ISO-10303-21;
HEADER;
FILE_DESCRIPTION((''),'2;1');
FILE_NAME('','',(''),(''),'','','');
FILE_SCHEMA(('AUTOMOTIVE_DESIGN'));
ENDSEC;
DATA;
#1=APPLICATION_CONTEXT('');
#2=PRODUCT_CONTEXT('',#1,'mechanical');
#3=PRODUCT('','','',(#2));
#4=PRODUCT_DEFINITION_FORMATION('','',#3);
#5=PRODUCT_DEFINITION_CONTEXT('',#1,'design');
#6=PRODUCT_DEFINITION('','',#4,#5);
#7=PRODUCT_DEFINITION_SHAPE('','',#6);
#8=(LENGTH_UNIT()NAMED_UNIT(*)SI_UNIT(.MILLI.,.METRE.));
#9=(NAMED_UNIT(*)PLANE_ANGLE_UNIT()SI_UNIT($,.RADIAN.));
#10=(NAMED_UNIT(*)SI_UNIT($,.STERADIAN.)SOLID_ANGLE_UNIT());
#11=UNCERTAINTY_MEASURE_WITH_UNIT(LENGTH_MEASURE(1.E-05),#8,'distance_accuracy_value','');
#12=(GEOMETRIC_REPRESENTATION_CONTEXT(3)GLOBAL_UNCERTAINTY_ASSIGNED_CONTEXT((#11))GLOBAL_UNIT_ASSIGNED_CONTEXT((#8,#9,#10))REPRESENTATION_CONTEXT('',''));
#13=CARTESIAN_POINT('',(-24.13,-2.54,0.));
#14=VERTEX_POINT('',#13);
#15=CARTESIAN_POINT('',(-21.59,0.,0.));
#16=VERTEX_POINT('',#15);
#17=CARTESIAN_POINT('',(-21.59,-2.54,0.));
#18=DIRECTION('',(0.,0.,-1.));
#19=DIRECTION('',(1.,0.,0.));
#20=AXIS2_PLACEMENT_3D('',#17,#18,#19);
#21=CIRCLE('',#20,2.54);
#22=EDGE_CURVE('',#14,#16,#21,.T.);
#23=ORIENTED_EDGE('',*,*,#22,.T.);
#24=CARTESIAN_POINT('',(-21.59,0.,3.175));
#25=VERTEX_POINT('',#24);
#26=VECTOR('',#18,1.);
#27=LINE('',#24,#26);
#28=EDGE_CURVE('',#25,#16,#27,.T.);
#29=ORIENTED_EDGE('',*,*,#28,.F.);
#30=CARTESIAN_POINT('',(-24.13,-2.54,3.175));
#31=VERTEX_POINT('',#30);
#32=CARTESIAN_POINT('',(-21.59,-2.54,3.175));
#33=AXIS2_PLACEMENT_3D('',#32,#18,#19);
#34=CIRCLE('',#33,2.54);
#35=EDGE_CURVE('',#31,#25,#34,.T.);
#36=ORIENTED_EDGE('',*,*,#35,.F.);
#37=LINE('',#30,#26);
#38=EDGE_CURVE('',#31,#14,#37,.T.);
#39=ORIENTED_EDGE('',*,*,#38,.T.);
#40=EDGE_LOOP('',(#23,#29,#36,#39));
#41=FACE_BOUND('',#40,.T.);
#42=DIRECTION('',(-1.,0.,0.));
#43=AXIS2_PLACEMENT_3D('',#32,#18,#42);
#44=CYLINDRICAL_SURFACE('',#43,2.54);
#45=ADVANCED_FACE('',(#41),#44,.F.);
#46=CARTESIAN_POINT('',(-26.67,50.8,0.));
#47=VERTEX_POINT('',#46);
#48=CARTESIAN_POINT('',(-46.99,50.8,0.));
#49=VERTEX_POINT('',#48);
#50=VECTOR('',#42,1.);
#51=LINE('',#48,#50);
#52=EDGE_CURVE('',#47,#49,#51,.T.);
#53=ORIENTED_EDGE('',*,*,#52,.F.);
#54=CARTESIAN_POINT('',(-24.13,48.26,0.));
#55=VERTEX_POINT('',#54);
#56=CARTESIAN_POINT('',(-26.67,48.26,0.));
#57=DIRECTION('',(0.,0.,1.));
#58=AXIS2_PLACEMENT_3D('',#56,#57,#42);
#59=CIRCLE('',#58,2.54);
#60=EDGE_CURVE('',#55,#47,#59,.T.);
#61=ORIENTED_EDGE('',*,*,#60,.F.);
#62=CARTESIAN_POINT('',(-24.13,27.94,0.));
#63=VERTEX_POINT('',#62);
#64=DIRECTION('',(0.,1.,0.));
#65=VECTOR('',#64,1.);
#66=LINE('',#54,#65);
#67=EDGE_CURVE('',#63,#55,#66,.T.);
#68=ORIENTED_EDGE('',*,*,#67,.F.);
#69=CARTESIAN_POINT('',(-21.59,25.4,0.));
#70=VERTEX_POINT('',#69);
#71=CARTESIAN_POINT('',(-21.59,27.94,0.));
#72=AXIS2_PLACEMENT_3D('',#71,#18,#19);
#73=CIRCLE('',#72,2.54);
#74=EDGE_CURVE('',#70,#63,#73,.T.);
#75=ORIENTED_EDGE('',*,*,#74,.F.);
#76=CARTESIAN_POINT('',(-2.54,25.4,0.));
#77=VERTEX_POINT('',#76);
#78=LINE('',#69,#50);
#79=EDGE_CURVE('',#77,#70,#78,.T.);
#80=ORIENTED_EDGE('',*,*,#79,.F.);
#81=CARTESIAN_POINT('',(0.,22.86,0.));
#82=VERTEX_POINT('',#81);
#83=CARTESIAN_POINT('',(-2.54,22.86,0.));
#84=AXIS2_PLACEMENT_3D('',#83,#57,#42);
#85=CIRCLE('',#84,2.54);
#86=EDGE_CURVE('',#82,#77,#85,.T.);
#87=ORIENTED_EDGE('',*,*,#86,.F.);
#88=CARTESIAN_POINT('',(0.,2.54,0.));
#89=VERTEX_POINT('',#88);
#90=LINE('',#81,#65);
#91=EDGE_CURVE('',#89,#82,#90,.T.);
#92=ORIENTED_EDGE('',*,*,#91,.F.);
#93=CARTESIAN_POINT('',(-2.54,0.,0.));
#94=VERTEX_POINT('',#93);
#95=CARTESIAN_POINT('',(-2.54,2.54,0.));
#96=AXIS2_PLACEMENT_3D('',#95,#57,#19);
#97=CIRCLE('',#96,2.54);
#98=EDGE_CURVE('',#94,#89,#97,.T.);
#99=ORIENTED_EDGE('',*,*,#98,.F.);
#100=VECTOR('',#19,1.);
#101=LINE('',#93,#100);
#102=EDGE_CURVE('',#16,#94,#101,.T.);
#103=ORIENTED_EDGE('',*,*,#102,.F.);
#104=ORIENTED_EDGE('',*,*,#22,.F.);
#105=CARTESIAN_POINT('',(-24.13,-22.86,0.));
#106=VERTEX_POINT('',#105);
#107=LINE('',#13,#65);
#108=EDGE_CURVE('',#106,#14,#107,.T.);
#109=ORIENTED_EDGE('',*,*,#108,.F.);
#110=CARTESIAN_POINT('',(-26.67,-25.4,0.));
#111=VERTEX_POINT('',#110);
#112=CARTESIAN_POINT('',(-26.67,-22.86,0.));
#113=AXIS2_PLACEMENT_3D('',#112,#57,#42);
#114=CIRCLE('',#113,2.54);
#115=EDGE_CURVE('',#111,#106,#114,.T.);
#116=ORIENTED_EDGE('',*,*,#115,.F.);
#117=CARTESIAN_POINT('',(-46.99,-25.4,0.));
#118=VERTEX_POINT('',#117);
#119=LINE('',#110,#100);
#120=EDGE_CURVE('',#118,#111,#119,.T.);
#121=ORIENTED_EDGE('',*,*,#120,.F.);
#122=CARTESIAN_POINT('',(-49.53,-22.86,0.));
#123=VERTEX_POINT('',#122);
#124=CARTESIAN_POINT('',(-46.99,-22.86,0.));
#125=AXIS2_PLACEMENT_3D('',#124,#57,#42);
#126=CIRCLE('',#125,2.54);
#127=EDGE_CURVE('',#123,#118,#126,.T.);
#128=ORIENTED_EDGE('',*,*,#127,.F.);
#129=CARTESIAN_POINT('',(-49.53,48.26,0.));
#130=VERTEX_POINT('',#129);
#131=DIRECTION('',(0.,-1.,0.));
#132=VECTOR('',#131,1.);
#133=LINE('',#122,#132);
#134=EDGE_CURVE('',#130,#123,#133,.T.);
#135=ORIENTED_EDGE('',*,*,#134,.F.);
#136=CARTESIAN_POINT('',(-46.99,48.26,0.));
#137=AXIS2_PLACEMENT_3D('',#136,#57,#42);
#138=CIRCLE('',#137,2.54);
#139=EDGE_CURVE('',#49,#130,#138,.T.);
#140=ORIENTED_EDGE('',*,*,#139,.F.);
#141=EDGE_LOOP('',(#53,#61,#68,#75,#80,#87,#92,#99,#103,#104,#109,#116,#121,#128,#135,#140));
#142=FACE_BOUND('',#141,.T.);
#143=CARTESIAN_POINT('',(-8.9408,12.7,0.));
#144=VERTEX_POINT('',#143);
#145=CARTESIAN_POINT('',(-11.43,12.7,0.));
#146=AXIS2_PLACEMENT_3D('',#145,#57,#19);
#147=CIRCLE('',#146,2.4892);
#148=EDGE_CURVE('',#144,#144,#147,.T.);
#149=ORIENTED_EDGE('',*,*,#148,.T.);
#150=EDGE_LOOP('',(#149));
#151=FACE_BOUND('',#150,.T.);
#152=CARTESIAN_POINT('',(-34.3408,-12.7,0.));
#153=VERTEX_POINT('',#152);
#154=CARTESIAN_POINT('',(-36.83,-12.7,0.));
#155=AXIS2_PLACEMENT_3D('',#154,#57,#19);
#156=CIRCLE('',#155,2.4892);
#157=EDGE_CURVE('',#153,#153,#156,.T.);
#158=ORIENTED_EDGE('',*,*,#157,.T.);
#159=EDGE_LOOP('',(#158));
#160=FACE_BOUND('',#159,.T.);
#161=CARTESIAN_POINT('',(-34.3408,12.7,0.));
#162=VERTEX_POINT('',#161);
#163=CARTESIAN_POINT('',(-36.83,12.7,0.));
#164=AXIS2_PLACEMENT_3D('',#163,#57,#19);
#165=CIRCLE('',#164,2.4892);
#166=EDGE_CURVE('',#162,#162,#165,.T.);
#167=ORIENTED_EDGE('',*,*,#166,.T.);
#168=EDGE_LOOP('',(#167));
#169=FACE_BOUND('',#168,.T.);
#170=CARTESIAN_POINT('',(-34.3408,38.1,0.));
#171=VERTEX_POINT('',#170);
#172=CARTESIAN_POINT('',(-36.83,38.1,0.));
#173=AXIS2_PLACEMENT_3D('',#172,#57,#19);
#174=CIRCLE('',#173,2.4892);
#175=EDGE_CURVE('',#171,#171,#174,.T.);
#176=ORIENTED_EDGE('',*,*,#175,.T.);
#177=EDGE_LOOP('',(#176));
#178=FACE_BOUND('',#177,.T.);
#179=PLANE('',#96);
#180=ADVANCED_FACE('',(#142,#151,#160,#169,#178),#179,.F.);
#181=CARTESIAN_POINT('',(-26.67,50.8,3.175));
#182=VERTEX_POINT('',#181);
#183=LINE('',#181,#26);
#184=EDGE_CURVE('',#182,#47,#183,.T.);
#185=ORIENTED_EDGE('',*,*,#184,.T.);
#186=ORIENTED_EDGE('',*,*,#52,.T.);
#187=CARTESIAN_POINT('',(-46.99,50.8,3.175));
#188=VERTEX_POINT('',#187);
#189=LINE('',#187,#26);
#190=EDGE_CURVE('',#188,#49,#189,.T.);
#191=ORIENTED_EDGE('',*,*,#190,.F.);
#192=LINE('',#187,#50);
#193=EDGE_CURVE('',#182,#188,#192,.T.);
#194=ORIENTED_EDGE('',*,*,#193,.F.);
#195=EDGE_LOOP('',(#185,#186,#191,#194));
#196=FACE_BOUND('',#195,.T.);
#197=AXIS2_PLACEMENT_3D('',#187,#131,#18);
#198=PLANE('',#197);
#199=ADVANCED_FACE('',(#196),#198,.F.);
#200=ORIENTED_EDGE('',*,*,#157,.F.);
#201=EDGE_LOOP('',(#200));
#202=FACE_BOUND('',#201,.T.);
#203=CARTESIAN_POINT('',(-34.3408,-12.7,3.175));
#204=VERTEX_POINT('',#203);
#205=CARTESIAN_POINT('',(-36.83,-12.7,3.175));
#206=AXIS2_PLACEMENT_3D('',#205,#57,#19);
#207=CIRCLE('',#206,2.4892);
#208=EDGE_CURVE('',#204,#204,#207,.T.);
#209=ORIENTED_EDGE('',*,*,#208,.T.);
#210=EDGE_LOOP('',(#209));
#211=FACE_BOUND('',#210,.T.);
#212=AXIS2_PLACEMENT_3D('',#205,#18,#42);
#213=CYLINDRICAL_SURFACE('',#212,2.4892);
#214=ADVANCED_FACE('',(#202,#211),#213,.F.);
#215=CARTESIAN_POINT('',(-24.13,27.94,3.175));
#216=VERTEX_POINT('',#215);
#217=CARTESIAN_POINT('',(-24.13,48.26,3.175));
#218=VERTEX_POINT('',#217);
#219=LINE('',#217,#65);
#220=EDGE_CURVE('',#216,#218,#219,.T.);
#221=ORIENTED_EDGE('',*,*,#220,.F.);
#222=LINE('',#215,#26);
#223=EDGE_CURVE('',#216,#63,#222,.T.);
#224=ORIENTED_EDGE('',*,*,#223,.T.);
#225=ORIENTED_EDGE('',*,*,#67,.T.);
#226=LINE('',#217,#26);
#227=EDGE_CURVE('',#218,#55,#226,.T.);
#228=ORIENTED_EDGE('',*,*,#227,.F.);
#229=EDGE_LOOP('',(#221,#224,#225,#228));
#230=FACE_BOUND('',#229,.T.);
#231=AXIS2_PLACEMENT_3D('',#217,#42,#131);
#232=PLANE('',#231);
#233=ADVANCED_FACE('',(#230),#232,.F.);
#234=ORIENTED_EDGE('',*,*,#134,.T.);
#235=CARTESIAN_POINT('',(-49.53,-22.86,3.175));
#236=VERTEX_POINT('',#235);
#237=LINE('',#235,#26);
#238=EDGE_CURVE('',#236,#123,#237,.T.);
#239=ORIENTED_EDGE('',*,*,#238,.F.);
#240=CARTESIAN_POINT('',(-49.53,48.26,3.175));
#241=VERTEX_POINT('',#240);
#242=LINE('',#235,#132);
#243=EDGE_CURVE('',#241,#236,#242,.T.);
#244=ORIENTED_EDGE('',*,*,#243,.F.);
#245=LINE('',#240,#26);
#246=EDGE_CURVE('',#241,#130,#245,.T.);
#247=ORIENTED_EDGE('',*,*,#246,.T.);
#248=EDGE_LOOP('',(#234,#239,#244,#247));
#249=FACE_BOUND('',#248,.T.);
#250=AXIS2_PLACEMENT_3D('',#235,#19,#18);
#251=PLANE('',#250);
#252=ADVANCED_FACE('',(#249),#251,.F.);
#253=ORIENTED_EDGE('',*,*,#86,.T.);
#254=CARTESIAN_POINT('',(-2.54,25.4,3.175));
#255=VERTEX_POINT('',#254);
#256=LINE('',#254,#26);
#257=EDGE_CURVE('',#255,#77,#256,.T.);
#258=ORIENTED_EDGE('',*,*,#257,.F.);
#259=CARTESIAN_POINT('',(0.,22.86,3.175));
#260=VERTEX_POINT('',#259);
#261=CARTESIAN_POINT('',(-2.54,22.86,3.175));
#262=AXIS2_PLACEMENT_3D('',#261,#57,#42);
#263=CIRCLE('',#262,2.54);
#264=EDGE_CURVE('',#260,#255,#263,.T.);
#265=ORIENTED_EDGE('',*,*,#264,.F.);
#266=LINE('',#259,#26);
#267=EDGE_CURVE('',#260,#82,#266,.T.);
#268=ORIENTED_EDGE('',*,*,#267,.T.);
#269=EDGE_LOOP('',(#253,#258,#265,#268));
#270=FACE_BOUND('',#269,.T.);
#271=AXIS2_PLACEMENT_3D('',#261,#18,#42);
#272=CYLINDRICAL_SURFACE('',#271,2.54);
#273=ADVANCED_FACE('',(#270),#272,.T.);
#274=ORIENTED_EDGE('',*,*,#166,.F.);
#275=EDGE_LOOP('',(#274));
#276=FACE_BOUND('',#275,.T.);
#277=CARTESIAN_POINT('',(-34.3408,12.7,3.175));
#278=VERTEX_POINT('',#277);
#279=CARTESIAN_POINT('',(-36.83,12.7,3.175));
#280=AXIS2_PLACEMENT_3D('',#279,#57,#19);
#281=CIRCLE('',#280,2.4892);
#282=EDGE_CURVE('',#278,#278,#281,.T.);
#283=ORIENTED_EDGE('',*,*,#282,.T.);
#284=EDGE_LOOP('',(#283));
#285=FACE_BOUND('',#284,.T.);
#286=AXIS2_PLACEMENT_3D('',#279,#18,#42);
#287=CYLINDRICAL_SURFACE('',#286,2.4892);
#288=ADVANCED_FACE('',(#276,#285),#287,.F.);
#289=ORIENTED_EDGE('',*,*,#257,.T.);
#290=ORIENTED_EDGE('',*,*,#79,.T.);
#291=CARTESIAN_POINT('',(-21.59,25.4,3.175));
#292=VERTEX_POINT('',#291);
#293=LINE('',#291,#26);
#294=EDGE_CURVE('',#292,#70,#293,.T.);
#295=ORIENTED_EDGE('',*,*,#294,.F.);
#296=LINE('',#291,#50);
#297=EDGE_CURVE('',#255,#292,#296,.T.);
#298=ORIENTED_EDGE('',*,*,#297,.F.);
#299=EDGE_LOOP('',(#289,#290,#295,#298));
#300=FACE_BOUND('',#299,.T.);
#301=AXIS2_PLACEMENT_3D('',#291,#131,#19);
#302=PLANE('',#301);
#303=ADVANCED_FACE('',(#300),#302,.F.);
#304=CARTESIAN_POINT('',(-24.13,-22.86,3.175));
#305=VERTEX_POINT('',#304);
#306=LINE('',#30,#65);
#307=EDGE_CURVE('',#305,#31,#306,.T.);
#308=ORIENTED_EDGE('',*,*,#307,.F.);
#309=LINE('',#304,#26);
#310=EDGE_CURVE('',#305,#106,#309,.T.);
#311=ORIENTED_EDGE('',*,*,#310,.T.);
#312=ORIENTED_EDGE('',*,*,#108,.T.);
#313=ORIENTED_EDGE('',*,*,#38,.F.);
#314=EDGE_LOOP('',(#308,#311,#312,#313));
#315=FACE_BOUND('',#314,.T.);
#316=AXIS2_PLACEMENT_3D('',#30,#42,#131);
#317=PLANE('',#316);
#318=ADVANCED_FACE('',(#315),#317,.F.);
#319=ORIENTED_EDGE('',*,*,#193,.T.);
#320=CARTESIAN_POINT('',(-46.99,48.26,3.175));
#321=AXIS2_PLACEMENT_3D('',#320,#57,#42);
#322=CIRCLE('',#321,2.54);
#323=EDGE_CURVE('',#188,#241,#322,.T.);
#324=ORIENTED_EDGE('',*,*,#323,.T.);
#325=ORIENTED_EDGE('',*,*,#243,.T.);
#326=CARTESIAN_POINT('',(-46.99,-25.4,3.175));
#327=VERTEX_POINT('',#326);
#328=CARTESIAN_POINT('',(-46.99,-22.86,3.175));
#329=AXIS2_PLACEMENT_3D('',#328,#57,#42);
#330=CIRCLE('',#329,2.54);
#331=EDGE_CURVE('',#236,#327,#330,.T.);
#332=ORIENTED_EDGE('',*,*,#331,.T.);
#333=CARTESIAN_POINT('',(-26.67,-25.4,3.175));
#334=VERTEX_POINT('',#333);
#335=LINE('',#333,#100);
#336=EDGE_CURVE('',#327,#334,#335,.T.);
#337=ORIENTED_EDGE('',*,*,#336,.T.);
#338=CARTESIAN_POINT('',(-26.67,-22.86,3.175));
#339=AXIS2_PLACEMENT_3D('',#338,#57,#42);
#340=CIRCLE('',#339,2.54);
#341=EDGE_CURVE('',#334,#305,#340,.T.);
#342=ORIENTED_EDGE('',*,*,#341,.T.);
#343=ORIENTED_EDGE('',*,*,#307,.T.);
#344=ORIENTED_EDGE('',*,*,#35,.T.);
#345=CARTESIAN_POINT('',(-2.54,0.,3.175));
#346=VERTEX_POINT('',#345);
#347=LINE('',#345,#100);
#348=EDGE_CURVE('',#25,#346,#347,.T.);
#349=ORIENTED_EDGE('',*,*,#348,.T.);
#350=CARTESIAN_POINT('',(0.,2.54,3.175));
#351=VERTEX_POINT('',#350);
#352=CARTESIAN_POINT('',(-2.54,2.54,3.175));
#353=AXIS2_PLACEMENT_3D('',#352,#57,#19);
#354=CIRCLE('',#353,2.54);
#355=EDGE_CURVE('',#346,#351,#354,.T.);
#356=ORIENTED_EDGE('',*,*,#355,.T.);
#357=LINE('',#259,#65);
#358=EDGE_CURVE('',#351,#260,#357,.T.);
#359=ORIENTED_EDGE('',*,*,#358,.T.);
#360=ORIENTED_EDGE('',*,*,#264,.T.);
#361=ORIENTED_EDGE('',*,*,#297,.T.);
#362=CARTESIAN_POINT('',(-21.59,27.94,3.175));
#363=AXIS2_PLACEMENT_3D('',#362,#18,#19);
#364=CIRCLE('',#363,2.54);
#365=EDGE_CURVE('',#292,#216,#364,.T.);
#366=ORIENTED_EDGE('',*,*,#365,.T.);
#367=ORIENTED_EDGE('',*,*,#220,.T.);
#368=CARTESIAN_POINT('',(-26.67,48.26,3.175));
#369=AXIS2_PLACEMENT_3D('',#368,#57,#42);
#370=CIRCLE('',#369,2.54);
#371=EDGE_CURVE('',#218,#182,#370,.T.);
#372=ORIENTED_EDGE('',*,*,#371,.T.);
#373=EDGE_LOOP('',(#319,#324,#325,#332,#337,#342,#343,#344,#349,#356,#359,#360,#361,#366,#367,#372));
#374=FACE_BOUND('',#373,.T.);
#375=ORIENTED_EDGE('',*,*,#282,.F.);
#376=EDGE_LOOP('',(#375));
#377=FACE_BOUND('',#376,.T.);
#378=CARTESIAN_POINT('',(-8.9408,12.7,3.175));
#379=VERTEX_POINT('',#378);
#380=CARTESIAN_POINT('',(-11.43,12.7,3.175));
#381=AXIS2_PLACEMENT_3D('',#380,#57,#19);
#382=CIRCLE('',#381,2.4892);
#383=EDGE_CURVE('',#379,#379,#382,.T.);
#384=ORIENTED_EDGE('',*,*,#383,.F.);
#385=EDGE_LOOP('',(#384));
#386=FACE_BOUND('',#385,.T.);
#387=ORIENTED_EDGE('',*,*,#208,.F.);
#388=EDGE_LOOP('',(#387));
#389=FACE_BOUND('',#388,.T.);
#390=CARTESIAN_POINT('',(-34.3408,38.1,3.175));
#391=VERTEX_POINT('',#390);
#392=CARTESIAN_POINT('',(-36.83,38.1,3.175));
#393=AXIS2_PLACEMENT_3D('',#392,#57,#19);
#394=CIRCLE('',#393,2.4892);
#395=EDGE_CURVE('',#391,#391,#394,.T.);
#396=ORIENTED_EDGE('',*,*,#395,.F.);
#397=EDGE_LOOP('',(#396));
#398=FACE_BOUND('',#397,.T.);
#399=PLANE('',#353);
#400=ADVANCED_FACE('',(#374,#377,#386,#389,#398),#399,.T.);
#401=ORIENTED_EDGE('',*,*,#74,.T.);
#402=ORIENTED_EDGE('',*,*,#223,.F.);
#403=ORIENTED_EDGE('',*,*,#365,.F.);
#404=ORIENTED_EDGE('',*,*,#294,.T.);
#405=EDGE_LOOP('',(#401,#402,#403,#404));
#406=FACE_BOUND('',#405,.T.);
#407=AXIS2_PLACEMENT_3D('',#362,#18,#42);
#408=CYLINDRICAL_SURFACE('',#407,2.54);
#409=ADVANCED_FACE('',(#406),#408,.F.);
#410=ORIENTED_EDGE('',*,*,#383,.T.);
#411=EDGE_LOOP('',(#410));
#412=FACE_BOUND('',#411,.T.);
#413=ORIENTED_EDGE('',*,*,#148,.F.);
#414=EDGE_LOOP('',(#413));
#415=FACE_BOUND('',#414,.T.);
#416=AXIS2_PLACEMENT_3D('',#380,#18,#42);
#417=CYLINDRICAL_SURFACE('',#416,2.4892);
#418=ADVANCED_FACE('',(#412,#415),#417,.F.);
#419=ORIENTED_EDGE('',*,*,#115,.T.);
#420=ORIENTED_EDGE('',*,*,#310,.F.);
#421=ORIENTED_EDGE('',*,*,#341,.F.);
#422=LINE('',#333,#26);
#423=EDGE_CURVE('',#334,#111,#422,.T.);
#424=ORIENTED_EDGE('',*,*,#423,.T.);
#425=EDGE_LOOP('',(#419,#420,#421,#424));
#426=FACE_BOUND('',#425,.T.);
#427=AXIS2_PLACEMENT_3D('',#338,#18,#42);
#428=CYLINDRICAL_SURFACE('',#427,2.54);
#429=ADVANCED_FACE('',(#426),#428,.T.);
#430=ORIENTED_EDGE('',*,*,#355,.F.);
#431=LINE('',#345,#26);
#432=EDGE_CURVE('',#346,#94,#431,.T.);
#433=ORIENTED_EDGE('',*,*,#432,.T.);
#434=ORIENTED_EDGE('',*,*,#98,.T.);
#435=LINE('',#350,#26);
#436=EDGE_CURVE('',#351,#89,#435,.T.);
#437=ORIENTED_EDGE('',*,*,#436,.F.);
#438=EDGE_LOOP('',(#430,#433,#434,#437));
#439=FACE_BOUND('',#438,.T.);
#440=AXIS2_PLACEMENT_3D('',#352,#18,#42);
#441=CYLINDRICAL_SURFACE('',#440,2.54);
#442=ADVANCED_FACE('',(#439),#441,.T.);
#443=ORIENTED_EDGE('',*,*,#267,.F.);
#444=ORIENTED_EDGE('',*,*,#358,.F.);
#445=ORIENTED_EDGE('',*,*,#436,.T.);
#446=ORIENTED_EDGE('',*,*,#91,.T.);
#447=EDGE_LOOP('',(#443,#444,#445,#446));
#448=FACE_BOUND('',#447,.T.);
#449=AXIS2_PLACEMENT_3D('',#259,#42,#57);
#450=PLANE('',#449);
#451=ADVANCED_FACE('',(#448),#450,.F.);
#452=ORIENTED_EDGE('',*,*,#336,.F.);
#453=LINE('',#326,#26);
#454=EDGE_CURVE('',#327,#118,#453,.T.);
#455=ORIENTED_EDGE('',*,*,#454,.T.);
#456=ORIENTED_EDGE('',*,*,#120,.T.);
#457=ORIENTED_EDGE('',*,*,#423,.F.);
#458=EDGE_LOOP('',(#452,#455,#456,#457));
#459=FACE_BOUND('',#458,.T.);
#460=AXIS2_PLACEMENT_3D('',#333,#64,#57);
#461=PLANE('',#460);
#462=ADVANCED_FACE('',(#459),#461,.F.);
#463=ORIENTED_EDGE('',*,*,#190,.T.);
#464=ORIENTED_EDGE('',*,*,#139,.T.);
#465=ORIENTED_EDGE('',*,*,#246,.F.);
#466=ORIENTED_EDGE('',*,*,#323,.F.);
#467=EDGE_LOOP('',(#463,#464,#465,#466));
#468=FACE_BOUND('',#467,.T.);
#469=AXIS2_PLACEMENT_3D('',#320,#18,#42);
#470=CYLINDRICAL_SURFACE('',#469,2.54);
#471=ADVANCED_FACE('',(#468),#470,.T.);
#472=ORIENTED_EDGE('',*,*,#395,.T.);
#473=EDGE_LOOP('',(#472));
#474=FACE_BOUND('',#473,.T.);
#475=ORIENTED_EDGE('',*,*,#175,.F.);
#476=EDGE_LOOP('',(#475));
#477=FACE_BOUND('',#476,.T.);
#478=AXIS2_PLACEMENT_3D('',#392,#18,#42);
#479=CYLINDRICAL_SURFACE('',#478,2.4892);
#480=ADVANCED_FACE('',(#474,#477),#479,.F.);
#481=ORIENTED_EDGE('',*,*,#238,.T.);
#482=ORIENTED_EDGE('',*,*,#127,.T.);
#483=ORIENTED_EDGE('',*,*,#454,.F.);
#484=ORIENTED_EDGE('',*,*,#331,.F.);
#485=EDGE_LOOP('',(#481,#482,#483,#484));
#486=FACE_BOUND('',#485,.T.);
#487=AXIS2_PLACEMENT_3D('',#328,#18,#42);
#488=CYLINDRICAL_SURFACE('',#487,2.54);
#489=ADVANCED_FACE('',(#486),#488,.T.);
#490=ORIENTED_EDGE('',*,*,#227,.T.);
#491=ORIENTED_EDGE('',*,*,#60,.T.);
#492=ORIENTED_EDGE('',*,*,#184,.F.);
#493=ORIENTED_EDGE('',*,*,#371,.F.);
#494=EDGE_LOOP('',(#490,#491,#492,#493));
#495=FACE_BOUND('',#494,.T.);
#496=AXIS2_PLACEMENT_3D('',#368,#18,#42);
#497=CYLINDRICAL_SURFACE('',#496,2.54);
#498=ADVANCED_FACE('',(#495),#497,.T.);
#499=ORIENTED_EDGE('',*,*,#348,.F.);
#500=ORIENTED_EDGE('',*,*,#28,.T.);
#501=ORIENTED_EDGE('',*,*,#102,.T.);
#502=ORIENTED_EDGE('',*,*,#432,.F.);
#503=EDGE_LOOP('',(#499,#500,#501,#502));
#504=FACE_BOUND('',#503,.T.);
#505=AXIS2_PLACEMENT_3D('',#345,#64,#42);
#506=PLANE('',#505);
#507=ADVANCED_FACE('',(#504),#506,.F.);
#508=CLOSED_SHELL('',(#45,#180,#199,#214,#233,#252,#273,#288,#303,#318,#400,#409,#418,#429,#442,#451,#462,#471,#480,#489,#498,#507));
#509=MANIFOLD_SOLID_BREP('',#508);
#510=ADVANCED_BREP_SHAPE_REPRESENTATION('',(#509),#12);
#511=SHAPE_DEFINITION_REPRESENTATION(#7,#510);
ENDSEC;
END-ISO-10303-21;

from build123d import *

# Parameters (mm, degrees)
SKETCH1_R           = 2.4892
BOSS_EXTRUDE1_DEPTH = 3.175


with BuildPart() as part:
    # Sketch1 → Boss-Extrude1 (new body)
    with BuildSketch(Plane.XY):
        with BuildLine():
            Line((-2.54, 0), (-21.59, 0))
            ThreePointArc((-21.59, 0), (-23.386051224, -0.743948776), (-24.13, -2.54))
            Line((-24.13, -2.54), (-24.13, -22.86))
            ThreePointArc((-24.13, -22.86), (-24.873948776, -24.656051224), (-26.67, -25.4))
            Line((-26.67, -25.4), (-46.99, -25.4))
            ThreePointArc((-46.99, -25.4), (-48.786051224, -24.656051224), (-49.53, -22.86))
            Line((-49.53, -22.86), (-49.53, 48.26))
            ThreePointArc((-49.53, 48.26), (-48.786051224, 50.056051224), (-46.99, 50.8))
            Line((-46.99, 50.8), (-26.67, 50.8))
            ThreePointArc((-26.67, 50.8), (-24.873948776, 50.056051224), (-24.13, 48.26))
            Line((-24.13, 48.26), (-24.13, 27.94))
            ThreePointArc((-24.13, 27.94), (-23.386051224, 26.143948776), (-21.59, 25.4))
            Line((-21.59, 25.4), (-2.54, 25.4))
            ThreePointArc((-2.54, 25.4), (-0.743948776, 24.656051224), (0, 22.86))
            Line((0, 22.86), (0, 2.54))
            ThreePointArc((0, 2.54), (-0.743948776, 0.743948776), (-2.54, 0))
        make_face()
        with Locations((-36.83, 38.1)):
            Circle(SKETCH1_R, mode=Mode.SUBTRACT)
        with Locations((-36.83, 12.7)):
            Circle(SKETCH1_R, mode=Mode.SUBTRACT)
        with Locations((-36.83, -12.7)):
            Circle(SKETCH1_R, mode=Mode.SUBTRACT)
        with Locations((-11.43, 12.7)):
            Circle(SKETCH1_R, mode=Mode.SUBTRACT)
    extrude(amount=BOSS_EXTRUDE1_DEPTH)


solid = part.part
